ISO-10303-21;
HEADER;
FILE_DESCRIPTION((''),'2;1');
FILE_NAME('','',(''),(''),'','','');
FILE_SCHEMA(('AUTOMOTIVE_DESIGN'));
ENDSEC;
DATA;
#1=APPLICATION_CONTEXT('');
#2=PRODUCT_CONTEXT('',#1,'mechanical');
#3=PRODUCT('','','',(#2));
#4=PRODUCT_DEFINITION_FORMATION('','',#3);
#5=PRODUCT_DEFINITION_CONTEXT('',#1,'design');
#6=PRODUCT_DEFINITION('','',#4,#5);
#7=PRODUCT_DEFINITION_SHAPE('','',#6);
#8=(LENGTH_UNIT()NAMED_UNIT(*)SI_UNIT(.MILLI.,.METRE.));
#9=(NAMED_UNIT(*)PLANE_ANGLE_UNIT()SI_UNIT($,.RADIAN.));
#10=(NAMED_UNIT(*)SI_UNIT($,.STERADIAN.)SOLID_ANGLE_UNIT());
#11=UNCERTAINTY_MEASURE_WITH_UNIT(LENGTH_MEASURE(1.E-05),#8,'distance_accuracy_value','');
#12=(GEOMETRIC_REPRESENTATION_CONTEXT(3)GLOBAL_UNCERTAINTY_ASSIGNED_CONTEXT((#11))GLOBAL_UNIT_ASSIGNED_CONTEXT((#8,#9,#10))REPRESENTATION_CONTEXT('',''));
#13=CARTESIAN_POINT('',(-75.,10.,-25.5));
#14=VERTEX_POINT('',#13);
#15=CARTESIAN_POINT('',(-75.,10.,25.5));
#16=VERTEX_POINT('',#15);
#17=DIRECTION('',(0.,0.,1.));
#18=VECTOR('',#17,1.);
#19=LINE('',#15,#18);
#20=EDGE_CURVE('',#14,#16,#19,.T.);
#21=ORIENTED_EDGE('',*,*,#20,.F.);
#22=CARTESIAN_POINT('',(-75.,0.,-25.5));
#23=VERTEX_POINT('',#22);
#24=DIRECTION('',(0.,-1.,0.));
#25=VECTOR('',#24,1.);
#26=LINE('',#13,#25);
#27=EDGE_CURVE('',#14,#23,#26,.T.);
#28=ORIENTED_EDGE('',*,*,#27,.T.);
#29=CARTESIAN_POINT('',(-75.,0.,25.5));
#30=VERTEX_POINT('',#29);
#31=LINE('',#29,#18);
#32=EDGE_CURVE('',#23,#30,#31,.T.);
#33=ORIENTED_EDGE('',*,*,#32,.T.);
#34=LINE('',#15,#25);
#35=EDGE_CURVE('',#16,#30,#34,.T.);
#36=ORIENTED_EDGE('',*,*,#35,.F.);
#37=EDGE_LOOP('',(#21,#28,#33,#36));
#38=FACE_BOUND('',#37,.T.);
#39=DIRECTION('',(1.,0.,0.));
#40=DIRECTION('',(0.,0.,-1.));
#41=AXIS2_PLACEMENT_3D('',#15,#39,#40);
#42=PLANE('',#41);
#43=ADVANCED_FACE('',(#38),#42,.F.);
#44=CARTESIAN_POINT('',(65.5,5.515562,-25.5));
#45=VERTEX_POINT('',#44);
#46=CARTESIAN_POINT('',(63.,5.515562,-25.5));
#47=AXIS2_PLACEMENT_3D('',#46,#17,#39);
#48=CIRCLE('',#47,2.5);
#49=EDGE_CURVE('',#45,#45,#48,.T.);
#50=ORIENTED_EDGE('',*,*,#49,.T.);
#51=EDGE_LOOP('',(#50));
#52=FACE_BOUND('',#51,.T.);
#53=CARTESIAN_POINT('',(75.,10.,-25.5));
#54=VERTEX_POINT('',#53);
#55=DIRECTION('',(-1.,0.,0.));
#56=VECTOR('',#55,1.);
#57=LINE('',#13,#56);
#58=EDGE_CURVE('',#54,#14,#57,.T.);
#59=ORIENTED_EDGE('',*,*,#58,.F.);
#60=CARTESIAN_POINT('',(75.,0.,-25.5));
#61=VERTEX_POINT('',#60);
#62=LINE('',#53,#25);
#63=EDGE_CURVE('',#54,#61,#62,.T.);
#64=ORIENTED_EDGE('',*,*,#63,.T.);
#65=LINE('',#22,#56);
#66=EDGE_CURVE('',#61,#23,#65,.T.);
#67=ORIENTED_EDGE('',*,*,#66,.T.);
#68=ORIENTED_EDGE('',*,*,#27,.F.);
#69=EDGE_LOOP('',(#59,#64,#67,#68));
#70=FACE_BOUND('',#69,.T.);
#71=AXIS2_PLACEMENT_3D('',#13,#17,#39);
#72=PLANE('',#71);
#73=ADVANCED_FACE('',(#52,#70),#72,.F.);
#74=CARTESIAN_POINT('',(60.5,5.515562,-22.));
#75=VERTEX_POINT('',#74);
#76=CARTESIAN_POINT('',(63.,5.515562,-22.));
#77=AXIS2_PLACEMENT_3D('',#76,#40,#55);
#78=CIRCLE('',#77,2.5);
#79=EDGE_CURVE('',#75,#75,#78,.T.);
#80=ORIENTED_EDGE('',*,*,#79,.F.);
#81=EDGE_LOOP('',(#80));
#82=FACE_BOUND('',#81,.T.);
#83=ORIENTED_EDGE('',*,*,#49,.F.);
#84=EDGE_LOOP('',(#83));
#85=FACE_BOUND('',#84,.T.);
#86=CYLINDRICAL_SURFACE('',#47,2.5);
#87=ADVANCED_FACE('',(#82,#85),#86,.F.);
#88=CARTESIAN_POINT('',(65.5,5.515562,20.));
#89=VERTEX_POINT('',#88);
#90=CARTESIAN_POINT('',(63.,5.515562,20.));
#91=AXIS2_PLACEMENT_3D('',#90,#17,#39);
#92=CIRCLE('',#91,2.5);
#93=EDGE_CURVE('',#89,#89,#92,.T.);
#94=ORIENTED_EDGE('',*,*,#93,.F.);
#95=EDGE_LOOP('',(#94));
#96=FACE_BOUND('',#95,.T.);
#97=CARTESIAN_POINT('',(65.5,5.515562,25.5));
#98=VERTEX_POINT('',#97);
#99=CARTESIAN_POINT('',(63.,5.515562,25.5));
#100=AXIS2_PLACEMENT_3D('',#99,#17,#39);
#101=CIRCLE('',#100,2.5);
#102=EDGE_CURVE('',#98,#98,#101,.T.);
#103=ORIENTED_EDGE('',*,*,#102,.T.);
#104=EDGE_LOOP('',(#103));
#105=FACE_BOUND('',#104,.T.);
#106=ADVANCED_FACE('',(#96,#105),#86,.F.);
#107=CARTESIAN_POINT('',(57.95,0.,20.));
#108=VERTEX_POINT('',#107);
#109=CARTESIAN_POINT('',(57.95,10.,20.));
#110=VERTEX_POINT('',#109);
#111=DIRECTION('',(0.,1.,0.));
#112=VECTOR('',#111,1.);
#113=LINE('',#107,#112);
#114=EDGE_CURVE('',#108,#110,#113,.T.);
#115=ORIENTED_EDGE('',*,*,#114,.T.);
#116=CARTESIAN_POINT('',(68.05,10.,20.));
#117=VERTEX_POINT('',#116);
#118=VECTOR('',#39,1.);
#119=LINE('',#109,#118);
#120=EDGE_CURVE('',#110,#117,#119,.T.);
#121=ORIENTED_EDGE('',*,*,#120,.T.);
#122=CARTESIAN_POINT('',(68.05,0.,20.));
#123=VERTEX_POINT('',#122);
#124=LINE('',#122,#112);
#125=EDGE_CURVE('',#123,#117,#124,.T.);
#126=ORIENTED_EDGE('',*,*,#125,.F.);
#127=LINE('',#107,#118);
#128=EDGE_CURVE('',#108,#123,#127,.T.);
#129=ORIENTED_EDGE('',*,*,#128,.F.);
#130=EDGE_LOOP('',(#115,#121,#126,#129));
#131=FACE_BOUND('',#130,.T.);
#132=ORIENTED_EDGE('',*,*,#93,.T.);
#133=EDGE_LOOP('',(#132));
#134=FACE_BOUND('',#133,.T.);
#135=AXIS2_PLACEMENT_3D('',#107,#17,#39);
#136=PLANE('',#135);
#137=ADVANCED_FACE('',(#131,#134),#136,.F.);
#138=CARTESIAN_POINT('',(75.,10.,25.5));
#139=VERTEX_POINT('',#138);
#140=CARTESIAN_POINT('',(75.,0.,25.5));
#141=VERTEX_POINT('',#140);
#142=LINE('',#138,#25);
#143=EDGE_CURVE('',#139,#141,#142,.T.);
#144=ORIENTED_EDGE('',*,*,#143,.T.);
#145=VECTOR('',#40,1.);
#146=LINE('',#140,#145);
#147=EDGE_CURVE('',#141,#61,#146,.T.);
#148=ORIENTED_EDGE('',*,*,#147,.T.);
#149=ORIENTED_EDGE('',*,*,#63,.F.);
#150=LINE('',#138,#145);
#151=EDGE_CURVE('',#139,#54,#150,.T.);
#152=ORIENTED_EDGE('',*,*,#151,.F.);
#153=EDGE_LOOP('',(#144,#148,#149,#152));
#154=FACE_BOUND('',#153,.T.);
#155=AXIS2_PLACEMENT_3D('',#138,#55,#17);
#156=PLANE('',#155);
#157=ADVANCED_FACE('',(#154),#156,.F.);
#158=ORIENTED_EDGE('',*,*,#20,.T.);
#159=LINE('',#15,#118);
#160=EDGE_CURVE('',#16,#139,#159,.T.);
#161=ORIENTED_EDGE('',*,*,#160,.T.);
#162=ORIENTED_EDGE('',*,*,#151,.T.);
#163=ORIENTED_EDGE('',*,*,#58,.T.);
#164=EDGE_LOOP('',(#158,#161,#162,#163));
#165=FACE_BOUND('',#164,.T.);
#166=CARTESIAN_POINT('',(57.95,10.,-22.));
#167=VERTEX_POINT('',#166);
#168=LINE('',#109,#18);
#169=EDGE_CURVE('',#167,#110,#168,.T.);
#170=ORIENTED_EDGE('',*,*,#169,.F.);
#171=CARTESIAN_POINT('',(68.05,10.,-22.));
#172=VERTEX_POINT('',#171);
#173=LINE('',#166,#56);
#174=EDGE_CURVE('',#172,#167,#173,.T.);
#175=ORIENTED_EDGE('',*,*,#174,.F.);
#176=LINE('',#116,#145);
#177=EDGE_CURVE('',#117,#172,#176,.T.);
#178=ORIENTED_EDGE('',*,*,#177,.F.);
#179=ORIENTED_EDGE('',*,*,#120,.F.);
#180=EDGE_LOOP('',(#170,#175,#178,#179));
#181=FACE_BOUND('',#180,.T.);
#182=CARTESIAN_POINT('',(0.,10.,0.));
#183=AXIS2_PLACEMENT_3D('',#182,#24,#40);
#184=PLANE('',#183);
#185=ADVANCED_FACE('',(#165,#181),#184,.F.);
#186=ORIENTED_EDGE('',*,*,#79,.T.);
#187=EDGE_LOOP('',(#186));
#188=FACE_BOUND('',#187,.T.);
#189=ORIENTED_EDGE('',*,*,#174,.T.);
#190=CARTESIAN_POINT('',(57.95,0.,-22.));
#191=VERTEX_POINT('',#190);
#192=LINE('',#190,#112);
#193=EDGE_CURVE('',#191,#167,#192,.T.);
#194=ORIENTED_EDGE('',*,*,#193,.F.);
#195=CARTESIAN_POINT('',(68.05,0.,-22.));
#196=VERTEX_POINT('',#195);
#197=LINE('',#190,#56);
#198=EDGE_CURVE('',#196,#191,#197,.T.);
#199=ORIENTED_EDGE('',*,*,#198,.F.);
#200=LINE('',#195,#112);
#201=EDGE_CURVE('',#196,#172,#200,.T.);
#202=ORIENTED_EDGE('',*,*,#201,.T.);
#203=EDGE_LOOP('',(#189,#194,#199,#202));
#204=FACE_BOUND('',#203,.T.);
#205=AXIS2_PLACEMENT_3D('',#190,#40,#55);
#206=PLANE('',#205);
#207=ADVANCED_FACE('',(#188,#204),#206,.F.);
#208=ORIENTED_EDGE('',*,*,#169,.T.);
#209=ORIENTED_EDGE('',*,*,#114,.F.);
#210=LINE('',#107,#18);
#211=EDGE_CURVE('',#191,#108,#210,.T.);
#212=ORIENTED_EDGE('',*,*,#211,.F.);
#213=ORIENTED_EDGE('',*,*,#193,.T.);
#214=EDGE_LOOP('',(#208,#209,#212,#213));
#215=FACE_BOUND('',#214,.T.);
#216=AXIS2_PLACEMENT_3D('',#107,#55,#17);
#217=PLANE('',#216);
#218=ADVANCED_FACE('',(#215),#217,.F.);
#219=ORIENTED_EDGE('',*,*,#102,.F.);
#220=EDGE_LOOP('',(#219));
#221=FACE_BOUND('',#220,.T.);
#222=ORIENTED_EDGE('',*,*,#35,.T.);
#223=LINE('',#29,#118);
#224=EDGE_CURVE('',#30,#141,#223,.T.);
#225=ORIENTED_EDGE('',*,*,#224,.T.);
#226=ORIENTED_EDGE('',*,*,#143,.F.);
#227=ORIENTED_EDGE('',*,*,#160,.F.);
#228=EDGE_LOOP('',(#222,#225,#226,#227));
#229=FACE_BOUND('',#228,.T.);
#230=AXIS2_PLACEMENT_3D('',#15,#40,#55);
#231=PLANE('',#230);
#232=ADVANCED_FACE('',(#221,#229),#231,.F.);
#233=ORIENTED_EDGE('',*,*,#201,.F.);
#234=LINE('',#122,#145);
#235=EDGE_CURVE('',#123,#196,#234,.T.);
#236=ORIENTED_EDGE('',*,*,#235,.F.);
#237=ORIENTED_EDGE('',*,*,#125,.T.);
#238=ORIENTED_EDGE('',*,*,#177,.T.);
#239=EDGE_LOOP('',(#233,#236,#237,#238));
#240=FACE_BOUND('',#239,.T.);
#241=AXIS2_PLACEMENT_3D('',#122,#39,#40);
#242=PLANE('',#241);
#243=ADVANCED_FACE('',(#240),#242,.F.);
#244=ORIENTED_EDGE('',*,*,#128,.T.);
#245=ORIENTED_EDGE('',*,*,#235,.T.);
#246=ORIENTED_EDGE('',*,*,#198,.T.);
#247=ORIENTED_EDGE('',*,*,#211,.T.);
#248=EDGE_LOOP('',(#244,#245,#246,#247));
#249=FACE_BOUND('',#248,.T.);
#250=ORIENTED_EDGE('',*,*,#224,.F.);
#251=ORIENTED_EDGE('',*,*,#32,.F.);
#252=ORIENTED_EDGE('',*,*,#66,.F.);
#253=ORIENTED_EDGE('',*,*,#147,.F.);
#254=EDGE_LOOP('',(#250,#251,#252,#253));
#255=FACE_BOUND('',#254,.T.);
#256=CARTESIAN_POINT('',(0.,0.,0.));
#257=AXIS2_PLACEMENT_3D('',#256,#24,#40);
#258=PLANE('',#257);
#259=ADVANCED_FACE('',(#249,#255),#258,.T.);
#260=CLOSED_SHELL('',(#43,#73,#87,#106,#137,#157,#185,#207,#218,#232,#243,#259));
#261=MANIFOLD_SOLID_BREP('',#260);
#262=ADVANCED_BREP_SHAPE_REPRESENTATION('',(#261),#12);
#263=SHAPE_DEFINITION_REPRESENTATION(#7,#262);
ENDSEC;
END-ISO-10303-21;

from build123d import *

# Parameters (mm, degrees)
SKETCH1_W           = 150
SKETCH1_H           = 51
BOSS_EXTRUDE1_DEPTH = 10
SKETCH2_W           = 10.1
SKETCH2_H           = 42
CUT_EXTRUDE1_DEPTH  = 80.845162659
SKETCH5_R           = 2.5
CUT_EXTRUDE4_DEPTH  = 92.246917756


with BuildPart() as part:
    # Sketch1 → Boss-Extrude1 (new body)
    with BuildSketch(Plane(origin=(0, 0, 0), x_dir=(1, 0, 0), z_dir=(0, 1, 0))):
        Rectangle(SKETCH1_W, SKETCH1_H)
    extrude(amount=BOSS_EXTRUDE1_DEPTH)

    # Sketch2 → Cut-Extrude1 (cut, through all)
    with BuildSketch(Plane(origin=(0, 10, 0), x_dir=(1, 0, 0), z_dir=(0, 1, 0))):
        with Locations((63, 1)):
            Rectangle(SKETCH2_W, SKETCH2_H)
    extrude(amount=-CUT_EXTRUDE1_DEPTH, mode=Mode.SUBTRACT)

    # Sketch5 → Cut-Extrude4 (cut, through all)
    with BuildSketch(Plane.XY.offset(25.5)):
        with Locations((63, 5.515561539)):
            Circle(SKETCH5_R)
    extrude(amount=-CUT_EXTRUDE4_DEPTH, mode=Mode.SUBTRACT)


solid = part.part
